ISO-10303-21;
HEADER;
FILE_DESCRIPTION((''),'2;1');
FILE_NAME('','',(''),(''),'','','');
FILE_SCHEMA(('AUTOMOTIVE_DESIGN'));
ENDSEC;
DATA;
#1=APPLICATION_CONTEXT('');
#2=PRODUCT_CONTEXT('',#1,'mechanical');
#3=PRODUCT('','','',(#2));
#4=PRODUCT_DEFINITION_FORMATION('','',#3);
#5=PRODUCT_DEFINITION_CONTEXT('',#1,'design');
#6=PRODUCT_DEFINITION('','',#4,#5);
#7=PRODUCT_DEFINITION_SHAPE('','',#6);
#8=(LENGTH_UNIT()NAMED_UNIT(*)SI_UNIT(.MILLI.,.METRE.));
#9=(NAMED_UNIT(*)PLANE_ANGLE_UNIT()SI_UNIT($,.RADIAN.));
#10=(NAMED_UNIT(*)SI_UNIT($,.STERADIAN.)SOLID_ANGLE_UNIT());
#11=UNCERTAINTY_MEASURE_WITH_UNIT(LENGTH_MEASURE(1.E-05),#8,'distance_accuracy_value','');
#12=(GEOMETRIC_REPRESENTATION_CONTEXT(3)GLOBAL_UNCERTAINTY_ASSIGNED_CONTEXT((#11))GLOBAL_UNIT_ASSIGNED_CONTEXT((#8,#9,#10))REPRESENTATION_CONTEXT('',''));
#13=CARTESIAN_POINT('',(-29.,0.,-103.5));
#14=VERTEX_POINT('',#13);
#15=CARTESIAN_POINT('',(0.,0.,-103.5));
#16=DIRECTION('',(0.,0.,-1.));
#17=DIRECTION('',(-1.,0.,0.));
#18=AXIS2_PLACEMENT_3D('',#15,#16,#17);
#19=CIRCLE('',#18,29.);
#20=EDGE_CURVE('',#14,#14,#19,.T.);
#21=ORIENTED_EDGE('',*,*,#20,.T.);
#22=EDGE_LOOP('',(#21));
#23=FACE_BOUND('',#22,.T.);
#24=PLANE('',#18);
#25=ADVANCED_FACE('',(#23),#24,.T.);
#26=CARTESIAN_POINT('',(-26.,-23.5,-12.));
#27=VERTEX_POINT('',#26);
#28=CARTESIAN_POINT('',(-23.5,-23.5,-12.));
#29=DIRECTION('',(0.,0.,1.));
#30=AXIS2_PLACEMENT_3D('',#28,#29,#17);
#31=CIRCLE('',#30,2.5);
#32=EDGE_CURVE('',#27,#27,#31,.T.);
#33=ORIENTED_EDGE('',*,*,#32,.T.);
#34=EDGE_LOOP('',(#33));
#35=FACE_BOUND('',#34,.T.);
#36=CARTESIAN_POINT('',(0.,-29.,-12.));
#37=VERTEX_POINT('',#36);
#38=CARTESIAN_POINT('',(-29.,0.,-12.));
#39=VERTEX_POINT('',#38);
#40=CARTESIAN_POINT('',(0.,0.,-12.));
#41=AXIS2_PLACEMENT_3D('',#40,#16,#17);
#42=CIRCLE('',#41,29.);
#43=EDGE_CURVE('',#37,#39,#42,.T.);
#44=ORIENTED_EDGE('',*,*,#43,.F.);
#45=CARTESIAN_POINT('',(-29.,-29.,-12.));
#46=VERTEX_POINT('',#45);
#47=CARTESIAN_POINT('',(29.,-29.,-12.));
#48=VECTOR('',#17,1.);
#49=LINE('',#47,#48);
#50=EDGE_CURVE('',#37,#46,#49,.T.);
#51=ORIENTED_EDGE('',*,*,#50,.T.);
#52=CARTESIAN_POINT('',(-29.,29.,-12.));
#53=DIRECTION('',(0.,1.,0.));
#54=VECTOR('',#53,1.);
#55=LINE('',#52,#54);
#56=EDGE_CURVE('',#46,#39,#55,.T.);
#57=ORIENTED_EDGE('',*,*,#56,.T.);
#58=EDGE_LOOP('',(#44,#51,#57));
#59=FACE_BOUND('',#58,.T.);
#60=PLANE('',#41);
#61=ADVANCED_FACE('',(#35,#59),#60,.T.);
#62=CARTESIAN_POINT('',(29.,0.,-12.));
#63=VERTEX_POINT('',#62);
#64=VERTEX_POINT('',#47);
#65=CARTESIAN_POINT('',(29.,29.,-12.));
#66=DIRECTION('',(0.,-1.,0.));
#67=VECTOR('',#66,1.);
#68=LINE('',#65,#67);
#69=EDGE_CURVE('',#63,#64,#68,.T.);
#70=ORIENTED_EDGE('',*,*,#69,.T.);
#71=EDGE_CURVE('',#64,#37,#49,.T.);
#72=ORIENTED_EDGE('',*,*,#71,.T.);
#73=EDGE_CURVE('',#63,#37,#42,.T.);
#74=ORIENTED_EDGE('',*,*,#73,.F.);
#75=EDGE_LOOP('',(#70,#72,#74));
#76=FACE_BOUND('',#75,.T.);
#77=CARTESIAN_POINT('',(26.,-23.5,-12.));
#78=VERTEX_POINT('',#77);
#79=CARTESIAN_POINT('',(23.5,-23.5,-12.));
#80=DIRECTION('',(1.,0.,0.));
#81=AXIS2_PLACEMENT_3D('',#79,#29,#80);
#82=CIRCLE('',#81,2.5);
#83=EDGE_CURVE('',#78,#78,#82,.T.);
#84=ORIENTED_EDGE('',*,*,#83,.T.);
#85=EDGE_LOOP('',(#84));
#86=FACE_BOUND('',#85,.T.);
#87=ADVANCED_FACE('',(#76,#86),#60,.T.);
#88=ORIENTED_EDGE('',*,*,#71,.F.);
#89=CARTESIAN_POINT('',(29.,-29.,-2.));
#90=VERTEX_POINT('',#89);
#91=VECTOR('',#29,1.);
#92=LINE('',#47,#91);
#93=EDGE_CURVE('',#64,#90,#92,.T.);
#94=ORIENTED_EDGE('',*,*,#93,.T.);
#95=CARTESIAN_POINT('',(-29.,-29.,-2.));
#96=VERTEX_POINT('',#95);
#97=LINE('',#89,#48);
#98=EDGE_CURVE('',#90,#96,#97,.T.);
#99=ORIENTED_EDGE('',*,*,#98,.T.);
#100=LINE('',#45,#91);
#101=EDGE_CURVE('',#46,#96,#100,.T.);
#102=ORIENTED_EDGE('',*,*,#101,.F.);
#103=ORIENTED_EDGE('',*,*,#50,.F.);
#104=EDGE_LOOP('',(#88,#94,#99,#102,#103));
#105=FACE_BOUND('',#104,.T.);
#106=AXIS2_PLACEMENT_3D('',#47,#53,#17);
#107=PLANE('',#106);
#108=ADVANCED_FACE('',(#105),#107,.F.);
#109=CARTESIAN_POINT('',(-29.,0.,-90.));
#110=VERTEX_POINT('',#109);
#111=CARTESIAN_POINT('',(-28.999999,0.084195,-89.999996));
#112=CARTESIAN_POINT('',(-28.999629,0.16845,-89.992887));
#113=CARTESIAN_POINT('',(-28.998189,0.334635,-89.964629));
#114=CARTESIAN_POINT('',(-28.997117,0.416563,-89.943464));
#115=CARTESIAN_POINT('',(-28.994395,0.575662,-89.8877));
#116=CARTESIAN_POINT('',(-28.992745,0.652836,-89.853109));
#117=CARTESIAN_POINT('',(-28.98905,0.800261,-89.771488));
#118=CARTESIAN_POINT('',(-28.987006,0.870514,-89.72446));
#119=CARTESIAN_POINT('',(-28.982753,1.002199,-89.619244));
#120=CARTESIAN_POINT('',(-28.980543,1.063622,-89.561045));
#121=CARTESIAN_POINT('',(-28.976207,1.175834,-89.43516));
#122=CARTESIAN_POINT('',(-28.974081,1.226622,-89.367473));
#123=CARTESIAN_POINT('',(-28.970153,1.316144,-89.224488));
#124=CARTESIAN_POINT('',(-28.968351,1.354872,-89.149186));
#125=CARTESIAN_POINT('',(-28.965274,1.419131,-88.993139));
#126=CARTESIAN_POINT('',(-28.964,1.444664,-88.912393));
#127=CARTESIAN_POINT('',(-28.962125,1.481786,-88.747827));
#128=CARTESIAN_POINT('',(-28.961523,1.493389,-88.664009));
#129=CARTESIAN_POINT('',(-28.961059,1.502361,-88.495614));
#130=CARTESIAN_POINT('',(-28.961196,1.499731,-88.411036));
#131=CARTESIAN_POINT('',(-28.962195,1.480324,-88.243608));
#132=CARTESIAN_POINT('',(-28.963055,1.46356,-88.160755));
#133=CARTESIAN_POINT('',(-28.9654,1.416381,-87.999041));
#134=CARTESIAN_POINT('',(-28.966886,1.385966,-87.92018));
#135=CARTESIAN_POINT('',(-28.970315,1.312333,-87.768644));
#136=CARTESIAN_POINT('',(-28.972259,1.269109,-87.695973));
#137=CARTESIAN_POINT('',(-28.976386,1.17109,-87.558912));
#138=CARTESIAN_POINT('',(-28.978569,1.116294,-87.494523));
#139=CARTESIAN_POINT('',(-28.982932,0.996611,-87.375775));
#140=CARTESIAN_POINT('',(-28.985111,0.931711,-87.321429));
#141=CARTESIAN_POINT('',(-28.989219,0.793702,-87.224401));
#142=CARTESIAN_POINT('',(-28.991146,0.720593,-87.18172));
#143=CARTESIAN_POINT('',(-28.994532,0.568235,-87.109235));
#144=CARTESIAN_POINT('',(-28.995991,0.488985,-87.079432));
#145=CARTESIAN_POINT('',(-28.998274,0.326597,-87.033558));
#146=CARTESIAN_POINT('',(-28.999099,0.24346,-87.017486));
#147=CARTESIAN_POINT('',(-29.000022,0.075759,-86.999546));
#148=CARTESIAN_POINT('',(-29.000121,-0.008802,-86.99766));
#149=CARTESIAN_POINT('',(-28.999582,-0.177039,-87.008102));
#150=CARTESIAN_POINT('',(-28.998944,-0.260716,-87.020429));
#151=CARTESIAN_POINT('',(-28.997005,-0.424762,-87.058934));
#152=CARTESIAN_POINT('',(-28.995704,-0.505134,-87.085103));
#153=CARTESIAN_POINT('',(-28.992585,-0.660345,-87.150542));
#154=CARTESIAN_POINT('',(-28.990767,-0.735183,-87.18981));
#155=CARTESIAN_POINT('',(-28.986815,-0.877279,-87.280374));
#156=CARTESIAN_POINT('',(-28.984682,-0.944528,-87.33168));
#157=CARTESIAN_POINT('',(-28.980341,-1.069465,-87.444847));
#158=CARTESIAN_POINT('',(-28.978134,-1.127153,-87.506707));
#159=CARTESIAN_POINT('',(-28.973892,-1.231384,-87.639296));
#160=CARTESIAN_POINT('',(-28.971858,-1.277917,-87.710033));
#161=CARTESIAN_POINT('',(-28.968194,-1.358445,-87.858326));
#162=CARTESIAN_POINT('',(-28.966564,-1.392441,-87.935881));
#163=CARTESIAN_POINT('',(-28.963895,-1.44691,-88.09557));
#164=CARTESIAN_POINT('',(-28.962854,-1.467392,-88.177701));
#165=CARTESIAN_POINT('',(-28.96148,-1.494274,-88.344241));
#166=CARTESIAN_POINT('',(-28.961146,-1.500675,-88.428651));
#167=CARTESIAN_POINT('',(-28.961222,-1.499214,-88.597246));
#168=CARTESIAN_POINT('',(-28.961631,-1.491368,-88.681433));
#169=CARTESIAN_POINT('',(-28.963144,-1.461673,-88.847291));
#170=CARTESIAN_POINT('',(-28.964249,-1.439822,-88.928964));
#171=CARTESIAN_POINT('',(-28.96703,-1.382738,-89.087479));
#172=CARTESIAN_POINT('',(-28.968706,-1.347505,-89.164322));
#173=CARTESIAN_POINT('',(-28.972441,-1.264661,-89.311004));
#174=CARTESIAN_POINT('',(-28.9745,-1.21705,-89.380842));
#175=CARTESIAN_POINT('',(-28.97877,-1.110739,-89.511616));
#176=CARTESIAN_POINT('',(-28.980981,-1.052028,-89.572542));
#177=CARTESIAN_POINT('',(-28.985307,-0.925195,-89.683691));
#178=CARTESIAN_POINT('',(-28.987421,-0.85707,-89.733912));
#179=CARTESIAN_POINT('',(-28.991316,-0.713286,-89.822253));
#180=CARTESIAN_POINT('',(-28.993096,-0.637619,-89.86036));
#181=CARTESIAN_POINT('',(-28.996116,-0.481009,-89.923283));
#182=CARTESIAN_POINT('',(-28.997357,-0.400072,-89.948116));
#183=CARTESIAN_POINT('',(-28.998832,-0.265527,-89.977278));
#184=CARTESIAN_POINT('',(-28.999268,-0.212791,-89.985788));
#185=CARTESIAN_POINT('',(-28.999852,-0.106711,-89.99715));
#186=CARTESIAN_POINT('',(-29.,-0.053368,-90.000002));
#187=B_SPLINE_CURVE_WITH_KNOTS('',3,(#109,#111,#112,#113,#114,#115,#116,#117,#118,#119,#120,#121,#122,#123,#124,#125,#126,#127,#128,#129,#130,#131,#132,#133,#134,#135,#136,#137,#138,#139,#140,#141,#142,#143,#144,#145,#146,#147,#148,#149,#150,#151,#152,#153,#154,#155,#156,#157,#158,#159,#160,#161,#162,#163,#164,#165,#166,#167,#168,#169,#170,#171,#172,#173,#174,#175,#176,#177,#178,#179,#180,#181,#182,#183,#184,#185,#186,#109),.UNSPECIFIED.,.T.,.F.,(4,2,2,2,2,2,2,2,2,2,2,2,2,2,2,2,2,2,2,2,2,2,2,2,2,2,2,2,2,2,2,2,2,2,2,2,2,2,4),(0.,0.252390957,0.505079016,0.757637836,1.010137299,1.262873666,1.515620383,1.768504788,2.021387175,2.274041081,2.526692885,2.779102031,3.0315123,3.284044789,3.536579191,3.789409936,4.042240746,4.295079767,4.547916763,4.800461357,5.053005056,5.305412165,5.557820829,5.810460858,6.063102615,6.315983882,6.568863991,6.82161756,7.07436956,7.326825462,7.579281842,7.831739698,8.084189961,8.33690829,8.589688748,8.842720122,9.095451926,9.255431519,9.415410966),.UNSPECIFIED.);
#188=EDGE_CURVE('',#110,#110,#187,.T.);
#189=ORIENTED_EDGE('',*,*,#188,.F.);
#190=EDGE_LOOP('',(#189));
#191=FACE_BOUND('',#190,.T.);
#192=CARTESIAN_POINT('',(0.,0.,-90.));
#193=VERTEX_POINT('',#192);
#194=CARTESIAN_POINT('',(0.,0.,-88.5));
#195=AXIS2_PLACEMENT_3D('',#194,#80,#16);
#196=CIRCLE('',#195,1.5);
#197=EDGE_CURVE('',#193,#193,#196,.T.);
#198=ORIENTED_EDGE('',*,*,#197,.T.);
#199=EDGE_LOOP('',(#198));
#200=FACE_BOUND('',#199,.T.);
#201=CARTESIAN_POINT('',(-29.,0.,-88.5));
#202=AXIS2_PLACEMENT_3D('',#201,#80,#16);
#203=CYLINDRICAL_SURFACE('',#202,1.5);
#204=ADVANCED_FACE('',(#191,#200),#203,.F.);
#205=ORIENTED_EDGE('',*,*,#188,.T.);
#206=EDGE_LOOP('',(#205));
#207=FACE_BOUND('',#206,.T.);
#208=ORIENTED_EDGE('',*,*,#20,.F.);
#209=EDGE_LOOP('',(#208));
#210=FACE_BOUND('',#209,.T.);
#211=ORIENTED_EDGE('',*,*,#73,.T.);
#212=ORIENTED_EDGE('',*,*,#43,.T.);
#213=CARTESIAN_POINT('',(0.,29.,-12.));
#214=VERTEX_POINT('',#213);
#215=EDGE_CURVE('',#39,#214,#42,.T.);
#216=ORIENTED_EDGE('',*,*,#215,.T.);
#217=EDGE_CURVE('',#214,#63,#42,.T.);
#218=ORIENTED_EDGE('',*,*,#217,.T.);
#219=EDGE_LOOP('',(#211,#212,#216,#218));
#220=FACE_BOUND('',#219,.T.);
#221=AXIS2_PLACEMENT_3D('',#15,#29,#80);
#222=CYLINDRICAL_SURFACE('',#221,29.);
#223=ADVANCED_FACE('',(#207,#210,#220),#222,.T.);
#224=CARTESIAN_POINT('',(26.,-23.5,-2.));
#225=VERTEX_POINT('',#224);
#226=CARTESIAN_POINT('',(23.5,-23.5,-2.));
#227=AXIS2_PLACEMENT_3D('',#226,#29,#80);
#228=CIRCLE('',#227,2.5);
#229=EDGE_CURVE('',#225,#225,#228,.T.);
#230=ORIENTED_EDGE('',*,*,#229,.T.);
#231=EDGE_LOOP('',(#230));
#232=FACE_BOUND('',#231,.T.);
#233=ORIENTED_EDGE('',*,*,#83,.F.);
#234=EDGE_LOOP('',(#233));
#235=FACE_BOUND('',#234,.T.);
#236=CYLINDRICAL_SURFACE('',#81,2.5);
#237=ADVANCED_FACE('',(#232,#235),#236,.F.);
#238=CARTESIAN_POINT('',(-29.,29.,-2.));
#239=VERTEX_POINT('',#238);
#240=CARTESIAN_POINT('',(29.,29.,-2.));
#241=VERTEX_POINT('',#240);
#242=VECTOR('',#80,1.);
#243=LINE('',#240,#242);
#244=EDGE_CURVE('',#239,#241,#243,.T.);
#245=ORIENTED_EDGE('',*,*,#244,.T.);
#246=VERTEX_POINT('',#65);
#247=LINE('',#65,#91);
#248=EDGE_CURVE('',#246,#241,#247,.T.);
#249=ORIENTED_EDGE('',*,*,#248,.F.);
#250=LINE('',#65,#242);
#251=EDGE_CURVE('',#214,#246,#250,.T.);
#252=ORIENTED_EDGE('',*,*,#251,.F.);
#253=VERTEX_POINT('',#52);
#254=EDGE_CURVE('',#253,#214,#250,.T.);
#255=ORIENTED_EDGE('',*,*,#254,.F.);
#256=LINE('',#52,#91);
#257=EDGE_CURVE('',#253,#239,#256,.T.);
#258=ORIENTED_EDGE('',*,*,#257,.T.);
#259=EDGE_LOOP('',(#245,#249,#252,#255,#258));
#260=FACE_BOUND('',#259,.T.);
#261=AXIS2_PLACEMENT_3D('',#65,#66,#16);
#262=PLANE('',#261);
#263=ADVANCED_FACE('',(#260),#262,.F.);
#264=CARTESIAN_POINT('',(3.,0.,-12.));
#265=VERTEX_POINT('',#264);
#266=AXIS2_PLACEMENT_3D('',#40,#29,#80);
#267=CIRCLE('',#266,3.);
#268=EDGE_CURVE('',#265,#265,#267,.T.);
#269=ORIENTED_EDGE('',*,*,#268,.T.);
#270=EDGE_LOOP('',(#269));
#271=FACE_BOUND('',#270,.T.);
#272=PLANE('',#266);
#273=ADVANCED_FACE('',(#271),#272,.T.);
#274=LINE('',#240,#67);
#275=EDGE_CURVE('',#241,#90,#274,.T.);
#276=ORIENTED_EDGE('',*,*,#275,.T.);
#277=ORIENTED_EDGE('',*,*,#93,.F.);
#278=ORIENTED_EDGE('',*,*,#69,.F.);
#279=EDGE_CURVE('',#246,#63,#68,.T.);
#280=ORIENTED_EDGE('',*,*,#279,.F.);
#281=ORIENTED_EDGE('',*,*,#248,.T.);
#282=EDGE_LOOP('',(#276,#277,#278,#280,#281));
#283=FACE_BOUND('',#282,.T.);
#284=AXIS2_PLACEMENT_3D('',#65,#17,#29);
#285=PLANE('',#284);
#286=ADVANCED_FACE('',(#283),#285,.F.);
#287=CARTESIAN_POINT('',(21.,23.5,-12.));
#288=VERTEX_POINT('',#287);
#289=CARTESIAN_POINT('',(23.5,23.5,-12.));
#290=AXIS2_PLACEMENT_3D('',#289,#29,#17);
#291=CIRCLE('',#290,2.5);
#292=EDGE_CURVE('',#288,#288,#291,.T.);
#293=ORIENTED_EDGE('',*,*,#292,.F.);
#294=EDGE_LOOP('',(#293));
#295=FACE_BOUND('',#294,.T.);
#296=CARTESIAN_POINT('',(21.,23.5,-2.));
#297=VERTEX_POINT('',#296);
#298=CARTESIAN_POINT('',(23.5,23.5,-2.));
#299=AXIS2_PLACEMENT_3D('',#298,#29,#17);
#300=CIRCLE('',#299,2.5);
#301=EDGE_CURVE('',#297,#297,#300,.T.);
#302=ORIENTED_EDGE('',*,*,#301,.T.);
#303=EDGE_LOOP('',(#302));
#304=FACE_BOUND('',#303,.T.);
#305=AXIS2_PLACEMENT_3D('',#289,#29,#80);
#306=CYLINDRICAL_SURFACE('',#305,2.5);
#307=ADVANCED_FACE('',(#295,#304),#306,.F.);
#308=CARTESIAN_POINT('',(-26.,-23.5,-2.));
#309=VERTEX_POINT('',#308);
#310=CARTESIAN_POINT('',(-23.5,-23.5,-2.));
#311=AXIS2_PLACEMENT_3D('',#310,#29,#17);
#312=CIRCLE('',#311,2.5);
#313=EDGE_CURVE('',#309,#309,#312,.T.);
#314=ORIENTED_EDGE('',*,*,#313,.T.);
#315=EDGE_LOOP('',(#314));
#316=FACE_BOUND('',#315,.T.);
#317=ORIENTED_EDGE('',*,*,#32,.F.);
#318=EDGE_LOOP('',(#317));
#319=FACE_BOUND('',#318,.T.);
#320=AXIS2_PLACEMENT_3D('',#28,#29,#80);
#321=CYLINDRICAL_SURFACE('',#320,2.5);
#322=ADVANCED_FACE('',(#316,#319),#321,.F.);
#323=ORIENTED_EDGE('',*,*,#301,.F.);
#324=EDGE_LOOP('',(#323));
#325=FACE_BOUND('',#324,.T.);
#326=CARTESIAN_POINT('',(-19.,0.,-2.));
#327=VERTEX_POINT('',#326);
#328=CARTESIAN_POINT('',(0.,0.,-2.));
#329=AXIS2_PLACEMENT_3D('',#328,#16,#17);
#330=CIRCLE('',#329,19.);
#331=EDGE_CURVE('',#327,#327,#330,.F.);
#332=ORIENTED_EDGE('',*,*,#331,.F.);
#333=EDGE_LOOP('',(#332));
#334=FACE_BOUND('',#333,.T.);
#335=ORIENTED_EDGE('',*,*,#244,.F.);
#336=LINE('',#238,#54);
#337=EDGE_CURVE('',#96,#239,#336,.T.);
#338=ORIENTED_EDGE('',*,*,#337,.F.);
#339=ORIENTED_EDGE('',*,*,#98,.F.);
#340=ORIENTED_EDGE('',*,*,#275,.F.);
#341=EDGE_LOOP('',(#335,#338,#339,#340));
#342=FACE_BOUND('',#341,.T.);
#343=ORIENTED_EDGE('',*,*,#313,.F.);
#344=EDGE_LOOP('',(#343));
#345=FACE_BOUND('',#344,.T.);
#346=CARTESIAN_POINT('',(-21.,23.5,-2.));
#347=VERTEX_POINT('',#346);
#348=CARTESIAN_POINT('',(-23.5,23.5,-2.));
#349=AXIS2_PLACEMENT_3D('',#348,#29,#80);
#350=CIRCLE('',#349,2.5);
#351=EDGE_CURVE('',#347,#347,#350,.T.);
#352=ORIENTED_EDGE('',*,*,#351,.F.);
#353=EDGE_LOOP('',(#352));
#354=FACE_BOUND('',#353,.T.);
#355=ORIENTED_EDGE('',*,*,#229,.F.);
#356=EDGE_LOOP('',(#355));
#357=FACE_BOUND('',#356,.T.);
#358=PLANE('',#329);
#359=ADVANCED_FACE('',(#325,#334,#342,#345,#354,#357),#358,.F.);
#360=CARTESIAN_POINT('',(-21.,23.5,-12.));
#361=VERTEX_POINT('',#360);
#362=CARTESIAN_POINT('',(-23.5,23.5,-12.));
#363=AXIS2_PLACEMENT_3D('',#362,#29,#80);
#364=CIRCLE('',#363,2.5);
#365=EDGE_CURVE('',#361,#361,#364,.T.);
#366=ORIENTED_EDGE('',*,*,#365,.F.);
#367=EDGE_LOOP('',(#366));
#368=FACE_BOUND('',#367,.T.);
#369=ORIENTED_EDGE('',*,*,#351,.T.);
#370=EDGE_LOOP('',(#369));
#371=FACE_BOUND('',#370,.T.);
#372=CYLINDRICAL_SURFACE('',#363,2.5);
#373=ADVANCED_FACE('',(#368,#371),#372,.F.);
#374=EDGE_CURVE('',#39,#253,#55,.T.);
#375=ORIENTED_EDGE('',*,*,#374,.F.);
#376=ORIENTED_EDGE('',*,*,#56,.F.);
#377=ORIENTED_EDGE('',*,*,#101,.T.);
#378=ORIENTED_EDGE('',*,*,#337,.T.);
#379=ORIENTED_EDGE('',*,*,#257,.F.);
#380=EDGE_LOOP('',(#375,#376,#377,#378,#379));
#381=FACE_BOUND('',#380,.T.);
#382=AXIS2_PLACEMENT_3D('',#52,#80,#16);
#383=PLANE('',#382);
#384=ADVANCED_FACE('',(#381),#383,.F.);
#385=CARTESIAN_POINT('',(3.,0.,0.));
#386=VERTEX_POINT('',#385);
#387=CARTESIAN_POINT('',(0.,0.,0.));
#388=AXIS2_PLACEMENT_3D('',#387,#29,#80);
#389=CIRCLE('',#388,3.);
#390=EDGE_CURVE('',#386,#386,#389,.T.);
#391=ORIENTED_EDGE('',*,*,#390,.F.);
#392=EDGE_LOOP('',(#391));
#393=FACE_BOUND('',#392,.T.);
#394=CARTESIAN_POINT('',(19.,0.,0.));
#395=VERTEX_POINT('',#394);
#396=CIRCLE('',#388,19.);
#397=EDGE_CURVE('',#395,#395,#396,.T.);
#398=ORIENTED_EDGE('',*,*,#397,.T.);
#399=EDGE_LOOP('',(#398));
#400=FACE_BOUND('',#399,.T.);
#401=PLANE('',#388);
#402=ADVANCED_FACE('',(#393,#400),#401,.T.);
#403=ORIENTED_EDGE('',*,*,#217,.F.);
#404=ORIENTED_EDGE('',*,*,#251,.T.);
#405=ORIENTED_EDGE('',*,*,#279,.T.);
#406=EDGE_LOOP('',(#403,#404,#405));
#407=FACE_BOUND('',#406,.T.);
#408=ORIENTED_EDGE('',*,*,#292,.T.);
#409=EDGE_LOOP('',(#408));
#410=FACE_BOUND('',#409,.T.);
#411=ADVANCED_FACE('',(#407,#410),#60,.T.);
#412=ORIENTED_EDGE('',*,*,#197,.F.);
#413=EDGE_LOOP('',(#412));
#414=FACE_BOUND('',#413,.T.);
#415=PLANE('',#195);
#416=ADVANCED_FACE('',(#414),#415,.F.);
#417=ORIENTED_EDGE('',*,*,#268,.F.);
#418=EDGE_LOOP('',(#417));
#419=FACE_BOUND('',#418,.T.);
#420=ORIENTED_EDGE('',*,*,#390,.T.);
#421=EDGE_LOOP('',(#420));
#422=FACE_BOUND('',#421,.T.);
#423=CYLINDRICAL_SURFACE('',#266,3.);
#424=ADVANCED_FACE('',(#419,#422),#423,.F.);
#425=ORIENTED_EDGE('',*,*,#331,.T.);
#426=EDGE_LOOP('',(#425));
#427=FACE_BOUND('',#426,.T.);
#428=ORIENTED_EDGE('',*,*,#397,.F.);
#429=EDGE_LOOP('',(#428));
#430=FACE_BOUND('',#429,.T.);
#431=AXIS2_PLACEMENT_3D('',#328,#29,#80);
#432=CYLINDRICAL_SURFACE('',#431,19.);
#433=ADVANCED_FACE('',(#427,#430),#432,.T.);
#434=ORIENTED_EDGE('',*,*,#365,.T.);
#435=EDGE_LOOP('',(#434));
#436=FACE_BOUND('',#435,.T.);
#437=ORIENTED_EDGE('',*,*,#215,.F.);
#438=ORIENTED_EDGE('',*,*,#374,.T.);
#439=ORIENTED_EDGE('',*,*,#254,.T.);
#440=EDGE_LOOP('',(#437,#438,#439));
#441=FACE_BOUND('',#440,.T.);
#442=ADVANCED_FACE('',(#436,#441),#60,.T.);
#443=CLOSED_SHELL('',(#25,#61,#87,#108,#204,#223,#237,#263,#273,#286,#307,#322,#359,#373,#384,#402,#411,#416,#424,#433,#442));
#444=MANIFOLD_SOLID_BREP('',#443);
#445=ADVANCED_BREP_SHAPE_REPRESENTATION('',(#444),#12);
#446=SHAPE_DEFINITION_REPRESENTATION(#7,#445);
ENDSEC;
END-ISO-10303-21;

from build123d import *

# Parameters (mm, degrees)
SKETCH1_R           = 19
BOSS_EXTRUDE1_DEPTH = 2
SKETCH3_W           = 58
SKETCH3_H           = 58
BOSS_EXTRUDE2_DEPTH = 10
SKETCH4_R           = 29
BOSS_EXTRUDE3_DEPTH = 91.5
SKETCH5_R           = 2.5
CUT_EXTRUDE1_DEPTH  = 10
SKETCH6_R           = 3
CUT_EXTRUDE2_DEPTH  = 12
SKETCH7_R           = 1.5
CUT_EXTRUDE4_DEPTH  = 30


with BuildPart() as part:
    # Sketch1 → Boss-Extrude1 (new body)
    with BuildSketch(Plane.XY):
        Circle(SKETCH1_R)
    extrude(amount=-BOSS_EXTRUDE1_DEPTH)

    # Sketch3 → Boss-Extrude2 (add)
    with BuildSketch(Plane(origin=(0, 0, -2), x_dir=(-1, 0, 0), z_dir=(0, 0, -1))):
        Rectangle(SKETCH3_W, SKETCH3_H)
    extrude(amount=BOSS_EXTRUDE2_DEPTH)

    # Sketch4 → Boss-Extrude3 (add)
    with BuildSketch(Plane(origin=(0, 0, -12), x_dir=(-1, 0, 0), z_dir=(0, 0, -1))):
        Circle(SKETCH4_R)
    extrude(amount=BOSS_EXTRUDE3_DEPTH)

    # Sketch5 → Cut-Extrude1 (cut)
    with BuildSketch(Plane.XY.offset(-2)):
        with Locations((-23.5, 23.5)):
            Circle(SKETCH5_R)
        with Locations((23.5, 23.5)):
            Circle(SKETCH5_R)
        with Locations((23.5, -23.5)):
            Circle(SKETCH5_R)
        with Locations((-23.5, -23.5)):
            Circle(SKETCH5_R)
    extrude(amount=-CUT_EXTRUDE1_DEPTH, mode=Mode.SUBTRACT)

    # Sketch6 → Cut-Extrude2 (cut)
    with BuildSketch(Plane.XY):
        Circle(SKETCH6_R)
    extrude(amount=-CUT_EXTRUDE2_DEPTH, mode=Mode.SUBTRACT)

    # Sketch7 → Cut-Extrude4 (cut, through all)
    with BuildSketch(Plane(origin=(0, 0, 0), x_dir=(0, 0, -1), z_dir=(1, 0, 0))):
        with Locations((88.5, 0)):
            Circle(SKETCH7_R)
    extrude(amount=-CUT_EXTRUDE4_DEPTH, mode=Mode.SUBTRACT)


solid = part.part
